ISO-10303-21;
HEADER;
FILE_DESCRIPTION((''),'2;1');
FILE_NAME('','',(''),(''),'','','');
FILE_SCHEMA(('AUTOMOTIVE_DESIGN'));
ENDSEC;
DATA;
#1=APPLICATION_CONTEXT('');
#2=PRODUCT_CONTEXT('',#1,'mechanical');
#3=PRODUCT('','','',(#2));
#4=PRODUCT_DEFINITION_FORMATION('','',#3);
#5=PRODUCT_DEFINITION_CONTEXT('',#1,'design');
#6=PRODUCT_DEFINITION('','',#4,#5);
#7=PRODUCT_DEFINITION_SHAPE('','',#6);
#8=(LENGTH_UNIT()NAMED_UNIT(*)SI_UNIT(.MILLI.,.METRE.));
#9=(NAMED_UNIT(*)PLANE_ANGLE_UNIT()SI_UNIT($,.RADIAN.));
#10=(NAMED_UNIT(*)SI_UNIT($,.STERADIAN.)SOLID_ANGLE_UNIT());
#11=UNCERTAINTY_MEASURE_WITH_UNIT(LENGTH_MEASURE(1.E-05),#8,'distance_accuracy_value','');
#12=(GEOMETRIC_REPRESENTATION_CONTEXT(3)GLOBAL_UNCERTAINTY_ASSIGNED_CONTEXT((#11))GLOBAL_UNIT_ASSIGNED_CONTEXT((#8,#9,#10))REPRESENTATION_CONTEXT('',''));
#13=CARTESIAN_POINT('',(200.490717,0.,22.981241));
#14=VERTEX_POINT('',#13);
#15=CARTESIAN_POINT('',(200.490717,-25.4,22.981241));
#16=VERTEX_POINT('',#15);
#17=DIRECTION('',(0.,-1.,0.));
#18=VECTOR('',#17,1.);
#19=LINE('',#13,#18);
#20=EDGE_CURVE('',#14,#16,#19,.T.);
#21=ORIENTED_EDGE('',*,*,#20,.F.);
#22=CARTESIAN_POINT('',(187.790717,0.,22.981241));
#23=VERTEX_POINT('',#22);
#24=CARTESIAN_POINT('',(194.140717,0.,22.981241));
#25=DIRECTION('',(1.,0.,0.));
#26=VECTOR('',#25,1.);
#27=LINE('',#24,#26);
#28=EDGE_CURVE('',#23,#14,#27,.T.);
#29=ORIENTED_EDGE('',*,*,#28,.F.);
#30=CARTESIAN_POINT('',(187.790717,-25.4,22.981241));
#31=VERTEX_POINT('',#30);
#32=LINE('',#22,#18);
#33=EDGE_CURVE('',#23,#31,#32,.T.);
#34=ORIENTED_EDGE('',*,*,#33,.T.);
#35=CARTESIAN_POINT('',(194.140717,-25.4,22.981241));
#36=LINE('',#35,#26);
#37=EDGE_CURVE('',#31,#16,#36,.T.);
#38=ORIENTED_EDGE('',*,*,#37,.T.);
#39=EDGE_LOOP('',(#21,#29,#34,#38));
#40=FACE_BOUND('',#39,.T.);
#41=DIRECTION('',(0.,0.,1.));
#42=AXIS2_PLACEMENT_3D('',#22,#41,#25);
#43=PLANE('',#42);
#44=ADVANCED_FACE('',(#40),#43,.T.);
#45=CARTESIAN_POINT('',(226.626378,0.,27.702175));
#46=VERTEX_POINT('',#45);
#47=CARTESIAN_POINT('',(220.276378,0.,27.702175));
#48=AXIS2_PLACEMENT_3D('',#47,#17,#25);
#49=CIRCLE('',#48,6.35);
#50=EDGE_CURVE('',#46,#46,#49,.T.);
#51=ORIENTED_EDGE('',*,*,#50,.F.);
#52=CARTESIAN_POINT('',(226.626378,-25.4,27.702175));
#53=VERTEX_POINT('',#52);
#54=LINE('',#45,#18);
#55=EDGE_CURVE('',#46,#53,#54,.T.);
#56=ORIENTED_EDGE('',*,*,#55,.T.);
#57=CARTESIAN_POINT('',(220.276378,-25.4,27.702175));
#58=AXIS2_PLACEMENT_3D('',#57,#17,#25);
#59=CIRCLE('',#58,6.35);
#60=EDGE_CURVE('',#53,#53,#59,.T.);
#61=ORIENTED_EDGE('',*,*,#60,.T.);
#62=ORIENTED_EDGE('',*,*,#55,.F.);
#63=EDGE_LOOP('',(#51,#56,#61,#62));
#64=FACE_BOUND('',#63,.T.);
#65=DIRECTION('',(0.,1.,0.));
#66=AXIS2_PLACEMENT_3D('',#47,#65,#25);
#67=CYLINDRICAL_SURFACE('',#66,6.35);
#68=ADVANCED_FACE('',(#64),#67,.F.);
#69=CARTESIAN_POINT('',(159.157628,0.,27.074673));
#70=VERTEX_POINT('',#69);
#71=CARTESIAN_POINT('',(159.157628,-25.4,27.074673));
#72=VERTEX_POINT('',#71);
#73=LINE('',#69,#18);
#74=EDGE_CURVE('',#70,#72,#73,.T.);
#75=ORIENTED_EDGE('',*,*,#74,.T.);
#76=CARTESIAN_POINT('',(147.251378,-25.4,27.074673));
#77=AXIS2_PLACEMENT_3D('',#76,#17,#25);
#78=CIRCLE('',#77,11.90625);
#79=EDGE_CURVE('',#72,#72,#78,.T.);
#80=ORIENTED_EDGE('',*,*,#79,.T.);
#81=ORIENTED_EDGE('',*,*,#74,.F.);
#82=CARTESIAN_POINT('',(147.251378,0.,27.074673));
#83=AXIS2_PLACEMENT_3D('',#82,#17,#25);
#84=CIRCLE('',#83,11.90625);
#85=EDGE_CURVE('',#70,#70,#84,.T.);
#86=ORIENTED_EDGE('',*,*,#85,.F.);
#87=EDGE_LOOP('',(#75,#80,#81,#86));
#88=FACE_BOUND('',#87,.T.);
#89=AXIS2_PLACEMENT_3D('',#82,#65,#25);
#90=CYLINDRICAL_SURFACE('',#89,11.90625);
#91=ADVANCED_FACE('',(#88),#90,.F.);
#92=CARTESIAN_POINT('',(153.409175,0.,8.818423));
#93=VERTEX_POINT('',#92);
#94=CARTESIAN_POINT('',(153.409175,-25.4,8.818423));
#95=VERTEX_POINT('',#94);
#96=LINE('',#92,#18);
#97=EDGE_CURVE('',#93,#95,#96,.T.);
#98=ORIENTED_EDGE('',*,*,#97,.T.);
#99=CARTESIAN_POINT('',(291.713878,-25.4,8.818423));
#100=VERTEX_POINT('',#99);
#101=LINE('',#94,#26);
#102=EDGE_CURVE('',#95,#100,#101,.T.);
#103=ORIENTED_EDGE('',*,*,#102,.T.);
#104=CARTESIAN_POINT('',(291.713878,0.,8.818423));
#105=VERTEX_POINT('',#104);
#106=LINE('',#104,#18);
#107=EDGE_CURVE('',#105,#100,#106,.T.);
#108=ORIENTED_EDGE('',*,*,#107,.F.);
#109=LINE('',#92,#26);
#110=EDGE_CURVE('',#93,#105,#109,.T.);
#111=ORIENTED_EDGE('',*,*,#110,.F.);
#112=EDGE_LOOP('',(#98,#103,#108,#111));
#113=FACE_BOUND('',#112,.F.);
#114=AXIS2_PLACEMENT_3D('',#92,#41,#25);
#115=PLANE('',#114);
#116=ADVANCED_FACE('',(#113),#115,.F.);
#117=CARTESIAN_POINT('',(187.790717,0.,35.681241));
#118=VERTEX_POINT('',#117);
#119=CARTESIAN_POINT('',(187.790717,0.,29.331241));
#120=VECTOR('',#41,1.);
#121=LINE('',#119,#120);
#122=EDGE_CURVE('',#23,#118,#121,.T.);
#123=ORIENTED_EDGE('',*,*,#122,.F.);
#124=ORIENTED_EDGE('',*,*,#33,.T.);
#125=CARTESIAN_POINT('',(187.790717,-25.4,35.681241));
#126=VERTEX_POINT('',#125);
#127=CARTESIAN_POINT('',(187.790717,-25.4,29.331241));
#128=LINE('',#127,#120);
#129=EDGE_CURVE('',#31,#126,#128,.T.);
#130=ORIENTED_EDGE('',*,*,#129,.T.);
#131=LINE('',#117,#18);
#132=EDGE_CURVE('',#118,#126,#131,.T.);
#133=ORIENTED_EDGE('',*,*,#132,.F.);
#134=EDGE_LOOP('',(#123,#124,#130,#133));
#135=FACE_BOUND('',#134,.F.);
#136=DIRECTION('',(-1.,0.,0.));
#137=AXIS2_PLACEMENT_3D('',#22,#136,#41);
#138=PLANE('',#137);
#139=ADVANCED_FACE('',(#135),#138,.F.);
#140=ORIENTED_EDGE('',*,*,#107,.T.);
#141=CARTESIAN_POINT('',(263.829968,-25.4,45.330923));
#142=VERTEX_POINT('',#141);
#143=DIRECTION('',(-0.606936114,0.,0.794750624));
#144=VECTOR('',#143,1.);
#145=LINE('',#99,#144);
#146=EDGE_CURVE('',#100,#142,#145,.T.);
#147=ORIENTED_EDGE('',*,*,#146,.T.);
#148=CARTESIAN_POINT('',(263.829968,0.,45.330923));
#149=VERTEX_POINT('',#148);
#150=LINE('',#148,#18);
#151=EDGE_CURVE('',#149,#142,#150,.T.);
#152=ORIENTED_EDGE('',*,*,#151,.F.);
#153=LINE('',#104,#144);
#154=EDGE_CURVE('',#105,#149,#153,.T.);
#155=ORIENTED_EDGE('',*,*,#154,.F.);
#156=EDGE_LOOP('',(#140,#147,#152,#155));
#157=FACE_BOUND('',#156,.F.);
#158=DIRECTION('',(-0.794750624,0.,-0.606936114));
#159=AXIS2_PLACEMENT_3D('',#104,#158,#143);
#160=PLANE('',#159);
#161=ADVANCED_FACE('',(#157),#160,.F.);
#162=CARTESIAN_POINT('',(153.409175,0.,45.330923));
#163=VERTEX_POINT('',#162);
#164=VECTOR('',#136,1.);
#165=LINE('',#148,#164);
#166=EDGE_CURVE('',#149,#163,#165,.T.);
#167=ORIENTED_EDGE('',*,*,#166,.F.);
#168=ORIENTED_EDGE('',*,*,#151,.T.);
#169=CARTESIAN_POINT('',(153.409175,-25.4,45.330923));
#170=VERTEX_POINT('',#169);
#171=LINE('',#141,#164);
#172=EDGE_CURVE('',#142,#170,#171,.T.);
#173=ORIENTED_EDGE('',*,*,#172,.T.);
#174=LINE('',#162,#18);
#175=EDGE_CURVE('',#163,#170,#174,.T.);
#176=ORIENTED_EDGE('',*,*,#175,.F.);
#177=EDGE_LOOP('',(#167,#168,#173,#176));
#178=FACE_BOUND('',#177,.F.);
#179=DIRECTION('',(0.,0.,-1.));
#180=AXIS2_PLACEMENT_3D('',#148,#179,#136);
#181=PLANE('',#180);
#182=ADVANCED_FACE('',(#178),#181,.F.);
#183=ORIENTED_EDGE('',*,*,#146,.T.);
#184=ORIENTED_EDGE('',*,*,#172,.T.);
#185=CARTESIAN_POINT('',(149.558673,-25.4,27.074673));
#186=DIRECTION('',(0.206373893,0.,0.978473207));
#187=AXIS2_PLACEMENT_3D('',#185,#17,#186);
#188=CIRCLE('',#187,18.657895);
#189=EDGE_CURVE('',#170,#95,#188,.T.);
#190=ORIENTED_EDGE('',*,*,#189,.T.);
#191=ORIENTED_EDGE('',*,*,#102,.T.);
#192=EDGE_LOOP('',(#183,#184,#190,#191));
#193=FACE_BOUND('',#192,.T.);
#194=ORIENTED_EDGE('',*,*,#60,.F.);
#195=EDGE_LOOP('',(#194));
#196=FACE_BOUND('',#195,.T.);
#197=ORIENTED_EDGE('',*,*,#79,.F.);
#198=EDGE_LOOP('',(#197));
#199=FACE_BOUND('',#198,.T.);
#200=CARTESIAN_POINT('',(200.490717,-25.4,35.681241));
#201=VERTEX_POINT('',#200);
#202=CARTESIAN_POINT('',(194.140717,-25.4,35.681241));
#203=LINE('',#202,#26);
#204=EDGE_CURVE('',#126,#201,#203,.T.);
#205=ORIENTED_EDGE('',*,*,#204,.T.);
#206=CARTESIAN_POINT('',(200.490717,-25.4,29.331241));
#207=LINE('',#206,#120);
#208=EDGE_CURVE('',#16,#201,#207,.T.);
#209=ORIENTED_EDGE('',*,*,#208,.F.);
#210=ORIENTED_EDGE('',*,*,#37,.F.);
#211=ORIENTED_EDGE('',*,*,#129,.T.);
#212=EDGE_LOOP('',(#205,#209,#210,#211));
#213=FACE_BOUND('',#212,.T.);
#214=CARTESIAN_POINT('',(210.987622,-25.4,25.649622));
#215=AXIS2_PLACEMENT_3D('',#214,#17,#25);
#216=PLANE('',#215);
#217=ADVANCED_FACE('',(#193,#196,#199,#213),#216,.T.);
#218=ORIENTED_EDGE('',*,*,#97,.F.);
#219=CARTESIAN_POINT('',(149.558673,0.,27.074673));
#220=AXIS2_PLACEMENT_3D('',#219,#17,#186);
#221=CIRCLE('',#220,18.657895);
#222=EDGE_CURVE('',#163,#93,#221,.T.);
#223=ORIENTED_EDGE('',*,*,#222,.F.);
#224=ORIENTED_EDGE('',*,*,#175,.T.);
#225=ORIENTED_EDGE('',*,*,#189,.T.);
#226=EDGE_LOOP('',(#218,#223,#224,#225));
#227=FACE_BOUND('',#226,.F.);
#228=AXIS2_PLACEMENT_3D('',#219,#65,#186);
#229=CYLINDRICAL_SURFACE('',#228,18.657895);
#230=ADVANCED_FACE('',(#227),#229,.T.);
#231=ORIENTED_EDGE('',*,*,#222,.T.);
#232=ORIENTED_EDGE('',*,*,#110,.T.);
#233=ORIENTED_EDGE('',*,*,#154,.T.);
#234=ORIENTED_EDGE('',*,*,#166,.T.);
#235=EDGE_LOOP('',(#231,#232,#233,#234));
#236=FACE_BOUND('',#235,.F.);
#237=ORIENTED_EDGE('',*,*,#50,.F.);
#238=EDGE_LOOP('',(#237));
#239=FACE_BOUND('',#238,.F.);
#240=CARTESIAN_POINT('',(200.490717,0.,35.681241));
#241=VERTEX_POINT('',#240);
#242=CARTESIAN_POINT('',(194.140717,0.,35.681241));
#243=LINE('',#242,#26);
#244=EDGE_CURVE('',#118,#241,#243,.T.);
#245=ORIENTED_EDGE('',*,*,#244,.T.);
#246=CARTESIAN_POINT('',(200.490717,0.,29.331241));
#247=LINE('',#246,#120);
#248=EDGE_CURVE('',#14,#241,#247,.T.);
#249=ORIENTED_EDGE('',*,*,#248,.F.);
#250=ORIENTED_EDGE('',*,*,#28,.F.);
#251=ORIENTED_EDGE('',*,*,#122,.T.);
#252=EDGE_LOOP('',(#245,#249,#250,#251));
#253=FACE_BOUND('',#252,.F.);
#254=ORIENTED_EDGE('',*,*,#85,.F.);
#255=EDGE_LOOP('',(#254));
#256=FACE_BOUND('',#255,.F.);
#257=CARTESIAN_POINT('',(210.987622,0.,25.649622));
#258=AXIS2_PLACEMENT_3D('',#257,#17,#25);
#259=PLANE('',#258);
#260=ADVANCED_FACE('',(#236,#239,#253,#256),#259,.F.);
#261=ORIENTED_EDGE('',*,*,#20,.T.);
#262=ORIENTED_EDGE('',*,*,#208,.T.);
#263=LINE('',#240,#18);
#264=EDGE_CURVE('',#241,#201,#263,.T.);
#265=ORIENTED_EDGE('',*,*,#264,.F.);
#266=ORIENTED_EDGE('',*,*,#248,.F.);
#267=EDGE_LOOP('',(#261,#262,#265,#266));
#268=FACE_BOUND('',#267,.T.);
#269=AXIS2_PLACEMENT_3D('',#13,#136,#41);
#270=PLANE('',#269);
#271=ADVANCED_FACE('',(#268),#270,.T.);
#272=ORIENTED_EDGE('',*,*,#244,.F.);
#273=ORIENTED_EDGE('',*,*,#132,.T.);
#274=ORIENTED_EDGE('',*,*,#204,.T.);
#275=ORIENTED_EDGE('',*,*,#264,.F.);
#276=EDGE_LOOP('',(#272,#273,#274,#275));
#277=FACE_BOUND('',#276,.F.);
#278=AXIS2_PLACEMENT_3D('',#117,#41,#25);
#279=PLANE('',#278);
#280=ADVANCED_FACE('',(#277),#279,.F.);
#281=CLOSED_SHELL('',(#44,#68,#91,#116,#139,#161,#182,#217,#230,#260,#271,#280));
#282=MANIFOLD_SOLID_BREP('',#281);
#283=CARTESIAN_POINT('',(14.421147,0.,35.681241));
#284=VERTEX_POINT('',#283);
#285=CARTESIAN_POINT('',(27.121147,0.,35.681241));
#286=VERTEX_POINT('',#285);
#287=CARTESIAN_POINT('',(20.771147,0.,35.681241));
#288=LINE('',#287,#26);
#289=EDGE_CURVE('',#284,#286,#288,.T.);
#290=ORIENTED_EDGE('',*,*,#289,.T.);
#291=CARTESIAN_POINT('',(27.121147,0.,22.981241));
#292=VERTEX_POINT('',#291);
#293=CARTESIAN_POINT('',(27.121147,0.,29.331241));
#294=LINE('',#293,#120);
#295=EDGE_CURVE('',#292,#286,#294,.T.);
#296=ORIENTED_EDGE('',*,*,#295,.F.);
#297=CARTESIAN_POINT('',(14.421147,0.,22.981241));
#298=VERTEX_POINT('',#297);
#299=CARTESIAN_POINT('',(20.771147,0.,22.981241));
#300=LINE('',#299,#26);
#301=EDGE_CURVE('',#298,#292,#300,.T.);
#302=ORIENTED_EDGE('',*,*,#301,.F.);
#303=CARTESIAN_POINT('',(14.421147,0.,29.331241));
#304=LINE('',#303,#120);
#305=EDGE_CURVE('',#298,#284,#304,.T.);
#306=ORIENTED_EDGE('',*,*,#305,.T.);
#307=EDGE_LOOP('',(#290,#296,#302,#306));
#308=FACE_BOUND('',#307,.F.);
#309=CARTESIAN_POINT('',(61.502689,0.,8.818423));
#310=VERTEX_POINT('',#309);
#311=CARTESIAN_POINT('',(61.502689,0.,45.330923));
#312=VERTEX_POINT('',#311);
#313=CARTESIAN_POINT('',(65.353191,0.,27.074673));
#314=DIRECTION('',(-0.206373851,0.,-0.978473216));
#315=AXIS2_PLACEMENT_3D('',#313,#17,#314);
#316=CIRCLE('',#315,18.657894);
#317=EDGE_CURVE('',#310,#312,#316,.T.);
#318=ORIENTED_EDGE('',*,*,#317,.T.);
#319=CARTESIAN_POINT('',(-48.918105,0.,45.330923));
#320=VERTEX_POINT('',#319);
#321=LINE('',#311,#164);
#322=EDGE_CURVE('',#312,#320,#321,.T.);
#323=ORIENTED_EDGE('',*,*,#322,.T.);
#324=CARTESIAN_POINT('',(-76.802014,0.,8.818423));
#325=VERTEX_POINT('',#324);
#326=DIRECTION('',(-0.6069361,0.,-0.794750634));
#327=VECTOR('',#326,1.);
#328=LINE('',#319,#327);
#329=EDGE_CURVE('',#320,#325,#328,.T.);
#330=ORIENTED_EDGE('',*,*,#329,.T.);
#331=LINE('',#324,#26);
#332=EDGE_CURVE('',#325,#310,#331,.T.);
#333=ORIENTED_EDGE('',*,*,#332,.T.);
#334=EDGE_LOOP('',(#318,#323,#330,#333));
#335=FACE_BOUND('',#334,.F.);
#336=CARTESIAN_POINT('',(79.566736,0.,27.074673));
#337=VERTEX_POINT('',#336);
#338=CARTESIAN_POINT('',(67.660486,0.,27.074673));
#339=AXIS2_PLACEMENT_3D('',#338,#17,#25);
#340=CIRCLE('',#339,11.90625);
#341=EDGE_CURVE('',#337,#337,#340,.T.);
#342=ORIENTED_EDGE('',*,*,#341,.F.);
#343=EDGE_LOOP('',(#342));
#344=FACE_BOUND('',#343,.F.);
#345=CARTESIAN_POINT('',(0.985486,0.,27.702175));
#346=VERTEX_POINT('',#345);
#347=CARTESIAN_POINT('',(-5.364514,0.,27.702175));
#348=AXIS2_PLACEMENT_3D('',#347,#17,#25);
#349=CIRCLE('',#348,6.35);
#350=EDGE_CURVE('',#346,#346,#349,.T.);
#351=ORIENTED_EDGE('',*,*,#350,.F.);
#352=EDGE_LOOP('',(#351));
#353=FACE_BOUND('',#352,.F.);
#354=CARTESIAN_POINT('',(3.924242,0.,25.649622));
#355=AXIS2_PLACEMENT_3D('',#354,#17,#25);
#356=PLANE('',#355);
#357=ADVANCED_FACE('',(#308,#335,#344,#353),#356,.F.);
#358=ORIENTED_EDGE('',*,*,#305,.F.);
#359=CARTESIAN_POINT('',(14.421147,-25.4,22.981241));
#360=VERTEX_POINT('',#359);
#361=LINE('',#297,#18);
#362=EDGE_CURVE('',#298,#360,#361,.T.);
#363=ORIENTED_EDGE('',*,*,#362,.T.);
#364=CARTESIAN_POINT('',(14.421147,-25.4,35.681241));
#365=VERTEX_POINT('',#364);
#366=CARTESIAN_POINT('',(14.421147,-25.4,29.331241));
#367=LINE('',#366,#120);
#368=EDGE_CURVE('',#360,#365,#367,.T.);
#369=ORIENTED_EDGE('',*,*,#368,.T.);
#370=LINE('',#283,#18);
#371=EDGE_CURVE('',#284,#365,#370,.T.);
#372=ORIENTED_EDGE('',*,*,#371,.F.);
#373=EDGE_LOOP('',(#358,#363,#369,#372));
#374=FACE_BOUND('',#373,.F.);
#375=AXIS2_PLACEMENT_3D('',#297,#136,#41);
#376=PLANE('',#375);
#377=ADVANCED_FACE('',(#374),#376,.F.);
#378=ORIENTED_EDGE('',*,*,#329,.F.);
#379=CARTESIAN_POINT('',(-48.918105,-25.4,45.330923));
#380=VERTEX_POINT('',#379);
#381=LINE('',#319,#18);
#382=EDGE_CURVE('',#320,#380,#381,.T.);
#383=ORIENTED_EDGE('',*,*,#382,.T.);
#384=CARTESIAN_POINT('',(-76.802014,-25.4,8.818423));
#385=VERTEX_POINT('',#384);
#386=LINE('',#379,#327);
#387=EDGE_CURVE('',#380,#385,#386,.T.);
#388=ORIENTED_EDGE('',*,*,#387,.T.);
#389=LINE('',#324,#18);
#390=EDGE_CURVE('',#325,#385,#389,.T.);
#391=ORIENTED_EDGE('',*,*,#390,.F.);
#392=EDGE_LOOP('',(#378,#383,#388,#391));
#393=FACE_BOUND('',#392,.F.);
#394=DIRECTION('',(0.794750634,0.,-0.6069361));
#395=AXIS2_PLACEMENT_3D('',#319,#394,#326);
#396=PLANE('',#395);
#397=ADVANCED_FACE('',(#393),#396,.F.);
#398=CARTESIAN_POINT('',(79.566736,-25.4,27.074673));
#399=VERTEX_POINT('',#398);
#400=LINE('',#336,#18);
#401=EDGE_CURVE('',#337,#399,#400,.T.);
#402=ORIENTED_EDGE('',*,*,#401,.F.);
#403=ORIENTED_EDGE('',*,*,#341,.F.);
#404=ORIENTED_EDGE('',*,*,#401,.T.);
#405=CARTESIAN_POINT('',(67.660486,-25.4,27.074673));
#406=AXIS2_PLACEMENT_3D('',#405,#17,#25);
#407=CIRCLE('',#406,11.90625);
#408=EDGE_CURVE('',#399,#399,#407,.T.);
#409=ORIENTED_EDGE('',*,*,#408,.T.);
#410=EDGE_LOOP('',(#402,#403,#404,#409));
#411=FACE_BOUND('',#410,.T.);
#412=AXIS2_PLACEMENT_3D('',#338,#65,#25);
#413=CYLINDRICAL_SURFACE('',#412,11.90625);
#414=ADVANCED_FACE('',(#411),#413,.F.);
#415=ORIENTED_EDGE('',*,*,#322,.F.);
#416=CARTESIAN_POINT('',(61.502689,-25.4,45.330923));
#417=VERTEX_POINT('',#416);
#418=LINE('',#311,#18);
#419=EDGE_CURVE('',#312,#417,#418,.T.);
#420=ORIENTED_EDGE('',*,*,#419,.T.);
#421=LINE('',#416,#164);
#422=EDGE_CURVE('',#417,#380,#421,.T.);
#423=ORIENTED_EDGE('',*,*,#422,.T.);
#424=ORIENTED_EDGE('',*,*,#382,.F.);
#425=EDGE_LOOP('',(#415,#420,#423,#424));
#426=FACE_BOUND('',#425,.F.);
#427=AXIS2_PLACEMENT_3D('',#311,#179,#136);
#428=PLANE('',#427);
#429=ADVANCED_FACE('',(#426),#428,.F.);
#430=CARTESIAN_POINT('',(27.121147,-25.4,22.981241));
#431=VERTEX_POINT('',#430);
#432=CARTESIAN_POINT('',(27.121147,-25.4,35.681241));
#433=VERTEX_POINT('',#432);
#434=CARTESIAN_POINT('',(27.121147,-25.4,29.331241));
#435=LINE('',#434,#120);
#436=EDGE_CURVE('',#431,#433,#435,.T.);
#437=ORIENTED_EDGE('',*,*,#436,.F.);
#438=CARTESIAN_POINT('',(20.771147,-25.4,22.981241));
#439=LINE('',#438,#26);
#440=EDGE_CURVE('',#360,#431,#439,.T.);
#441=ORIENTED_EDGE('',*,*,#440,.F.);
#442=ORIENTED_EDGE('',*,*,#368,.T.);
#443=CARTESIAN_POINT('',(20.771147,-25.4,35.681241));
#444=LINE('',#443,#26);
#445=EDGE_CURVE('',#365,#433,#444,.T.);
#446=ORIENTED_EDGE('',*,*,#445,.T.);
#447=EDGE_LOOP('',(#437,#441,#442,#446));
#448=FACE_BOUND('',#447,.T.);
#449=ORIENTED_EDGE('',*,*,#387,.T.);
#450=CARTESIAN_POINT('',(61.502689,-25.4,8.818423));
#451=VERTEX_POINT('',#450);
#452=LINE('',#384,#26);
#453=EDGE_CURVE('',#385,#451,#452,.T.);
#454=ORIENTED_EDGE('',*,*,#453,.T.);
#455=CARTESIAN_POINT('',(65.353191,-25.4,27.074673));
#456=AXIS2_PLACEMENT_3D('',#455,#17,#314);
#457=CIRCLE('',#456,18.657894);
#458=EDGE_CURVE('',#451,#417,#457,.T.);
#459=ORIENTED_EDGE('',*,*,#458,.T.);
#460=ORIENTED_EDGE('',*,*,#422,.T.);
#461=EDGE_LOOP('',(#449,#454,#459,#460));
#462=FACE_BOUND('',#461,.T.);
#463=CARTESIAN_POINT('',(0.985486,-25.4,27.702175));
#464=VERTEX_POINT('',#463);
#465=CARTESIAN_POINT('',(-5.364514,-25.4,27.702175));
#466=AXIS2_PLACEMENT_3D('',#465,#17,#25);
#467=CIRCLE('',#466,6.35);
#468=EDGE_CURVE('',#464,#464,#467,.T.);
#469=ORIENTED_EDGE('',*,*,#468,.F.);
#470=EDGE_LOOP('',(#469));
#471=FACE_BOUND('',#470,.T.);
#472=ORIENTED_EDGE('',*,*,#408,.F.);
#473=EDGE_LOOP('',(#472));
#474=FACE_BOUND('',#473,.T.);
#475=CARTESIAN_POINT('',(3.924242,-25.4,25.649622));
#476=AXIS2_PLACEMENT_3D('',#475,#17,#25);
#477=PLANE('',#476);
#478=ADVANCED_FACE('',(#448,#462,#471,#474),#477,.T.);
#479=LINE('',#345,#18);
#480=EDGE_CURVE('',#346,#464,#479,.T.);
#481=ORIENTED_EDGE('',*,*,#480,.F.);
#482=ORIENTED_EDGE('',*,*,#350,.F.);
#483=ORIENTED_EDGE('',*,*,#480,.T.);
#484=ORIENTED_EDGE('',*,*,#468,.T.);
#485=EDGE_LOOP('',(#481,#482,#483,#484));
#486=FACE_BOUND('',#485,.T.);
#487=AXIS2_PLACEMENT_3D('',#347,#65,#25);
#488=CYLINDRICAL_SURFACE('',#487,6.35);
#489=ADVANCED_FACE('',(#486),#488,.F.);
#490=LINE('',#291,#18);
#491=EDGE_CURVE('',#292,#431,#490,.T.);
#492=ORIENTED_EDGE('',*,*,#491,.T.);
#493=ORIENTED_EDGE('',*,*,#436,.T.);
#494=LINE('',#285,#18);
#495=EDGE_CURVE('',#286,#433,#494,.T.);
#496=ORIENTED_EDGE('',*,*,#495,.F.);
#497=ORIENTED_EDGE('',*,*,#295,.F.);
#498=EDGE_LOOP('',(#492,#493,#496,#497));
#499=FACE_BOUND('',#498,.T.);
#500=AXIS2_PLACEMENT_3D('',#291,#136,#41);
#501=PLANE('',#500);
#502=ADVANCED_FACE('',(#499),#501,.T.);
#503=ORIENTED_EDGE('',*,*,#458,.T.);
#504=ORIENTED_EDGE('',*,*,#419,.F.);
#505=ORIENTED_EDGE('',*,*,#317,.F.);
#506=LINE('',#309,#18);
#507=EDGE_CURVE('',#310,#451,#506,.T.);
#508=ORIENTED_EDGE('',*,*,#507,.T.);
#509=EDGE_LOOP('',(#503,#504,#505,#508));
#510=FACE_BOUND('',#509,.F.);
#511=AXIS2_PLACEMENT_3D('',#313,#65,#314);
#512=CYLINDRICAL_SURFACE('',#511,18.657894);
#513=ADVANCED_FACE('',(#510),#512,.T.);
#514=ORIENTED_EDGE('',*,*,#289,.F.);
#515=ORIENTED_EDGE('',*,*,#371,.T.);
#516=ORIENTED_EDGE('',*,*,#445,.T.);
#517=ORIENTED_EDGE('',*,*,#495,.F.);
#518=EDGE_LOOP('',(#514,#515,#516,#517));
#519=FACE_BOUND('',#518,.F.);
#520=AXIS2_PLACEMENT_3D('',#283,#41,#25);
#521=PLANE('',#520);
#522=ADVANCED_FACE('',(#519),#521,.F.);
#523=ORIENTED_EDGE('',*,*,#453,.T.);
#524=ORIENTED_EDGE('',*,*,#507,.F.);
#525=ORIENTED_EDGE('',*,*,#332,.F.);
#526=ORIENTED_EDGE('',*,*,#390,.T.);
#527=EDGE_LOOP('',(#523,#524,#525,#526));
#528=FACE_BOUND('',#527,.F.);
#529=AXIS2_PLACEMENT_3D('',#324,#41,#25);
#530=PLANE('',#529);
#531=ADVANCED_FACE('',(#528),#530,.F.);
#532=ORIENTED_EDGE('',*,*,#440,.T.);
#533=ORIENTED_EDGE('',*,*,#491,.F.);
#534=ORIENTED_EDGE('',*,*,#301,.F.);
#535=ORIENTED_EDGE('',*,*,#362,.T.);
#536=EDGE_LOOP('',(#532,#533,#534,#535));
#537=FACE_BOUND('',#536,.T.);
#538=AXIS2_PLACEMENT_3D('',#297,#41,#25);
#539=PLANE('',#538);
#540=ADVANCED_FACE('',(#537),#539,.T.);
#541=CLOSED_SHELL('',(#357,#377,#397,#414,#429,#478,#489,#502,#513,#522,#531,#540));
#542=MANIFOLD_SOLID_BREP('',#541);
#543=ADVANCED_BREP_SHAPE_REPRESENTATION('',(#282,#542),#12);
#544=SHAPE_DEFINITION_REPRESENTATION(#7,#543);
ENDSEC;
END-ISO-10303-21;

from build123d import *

# Parameters (mm, degrees)
F0_R     = 6.35
F0_W     = 12.7
F0_H     = 12.7
F0_R_2   = 11.90625
F1_DEPTH = 25.4


with BuildPart() as f1:
    # F0 (on Front) → F1 (new body)
    with BuildSketch(Plane.XZ):
        with BuildLine():
            Line((61.502689, 45.330923), (-48.918105, 45.330923))
            Line((-48.918105, 45.330923), (-76.802014, 8.818423))
            Line((-76.802014, 8.818423), (61.502689, 8.818423))
            ThreePointArc((61.502689, 8.818423), (84.011085, 27.074673), (61.502689, 45.330923))
        make_face()
        with Locations((-5.364514, 27.702175)):
            Circle(F0_R, mode=Mode.SUBTRACT)
        with Locations((20.771147, 29.331241)):
            Rectangle(F0_W, F0_H, mode=Mode.SUBTRACT)
        with Locations((67.660486, 27.074673)):
            Circle(F0_R_2, mode=Mode.SUBTRACT)
        with BuildLine():
            Line((291.713878, 8.818423), (263.829968, 45.330923))
            Line((263.829968, 45.330923), (153.409175, 45.330923))
            ThreePointArc((153.409175, 45.330923), (130.900778, 27.074673), (153.409175, 8.818423))
            Line((153.409175, 8.818423), (291.713878, 8.818423))
        make_face()
        with Locations((147.251378, 27.074673)):
            Circle(F0_R_2, mode=Mode.SUBTRACT)
        with Locations((194.140717, 29.331241)):
            Rectangle(F0_W, F0_H, mode=Mode.SUBTRACT)
        with Locations((220.276378, 27.702175)):
            Circle(F0_R, mode=Mode.SUBTRACT)
    extrude(amount=F1_DEPTH)


solid = f1.part
